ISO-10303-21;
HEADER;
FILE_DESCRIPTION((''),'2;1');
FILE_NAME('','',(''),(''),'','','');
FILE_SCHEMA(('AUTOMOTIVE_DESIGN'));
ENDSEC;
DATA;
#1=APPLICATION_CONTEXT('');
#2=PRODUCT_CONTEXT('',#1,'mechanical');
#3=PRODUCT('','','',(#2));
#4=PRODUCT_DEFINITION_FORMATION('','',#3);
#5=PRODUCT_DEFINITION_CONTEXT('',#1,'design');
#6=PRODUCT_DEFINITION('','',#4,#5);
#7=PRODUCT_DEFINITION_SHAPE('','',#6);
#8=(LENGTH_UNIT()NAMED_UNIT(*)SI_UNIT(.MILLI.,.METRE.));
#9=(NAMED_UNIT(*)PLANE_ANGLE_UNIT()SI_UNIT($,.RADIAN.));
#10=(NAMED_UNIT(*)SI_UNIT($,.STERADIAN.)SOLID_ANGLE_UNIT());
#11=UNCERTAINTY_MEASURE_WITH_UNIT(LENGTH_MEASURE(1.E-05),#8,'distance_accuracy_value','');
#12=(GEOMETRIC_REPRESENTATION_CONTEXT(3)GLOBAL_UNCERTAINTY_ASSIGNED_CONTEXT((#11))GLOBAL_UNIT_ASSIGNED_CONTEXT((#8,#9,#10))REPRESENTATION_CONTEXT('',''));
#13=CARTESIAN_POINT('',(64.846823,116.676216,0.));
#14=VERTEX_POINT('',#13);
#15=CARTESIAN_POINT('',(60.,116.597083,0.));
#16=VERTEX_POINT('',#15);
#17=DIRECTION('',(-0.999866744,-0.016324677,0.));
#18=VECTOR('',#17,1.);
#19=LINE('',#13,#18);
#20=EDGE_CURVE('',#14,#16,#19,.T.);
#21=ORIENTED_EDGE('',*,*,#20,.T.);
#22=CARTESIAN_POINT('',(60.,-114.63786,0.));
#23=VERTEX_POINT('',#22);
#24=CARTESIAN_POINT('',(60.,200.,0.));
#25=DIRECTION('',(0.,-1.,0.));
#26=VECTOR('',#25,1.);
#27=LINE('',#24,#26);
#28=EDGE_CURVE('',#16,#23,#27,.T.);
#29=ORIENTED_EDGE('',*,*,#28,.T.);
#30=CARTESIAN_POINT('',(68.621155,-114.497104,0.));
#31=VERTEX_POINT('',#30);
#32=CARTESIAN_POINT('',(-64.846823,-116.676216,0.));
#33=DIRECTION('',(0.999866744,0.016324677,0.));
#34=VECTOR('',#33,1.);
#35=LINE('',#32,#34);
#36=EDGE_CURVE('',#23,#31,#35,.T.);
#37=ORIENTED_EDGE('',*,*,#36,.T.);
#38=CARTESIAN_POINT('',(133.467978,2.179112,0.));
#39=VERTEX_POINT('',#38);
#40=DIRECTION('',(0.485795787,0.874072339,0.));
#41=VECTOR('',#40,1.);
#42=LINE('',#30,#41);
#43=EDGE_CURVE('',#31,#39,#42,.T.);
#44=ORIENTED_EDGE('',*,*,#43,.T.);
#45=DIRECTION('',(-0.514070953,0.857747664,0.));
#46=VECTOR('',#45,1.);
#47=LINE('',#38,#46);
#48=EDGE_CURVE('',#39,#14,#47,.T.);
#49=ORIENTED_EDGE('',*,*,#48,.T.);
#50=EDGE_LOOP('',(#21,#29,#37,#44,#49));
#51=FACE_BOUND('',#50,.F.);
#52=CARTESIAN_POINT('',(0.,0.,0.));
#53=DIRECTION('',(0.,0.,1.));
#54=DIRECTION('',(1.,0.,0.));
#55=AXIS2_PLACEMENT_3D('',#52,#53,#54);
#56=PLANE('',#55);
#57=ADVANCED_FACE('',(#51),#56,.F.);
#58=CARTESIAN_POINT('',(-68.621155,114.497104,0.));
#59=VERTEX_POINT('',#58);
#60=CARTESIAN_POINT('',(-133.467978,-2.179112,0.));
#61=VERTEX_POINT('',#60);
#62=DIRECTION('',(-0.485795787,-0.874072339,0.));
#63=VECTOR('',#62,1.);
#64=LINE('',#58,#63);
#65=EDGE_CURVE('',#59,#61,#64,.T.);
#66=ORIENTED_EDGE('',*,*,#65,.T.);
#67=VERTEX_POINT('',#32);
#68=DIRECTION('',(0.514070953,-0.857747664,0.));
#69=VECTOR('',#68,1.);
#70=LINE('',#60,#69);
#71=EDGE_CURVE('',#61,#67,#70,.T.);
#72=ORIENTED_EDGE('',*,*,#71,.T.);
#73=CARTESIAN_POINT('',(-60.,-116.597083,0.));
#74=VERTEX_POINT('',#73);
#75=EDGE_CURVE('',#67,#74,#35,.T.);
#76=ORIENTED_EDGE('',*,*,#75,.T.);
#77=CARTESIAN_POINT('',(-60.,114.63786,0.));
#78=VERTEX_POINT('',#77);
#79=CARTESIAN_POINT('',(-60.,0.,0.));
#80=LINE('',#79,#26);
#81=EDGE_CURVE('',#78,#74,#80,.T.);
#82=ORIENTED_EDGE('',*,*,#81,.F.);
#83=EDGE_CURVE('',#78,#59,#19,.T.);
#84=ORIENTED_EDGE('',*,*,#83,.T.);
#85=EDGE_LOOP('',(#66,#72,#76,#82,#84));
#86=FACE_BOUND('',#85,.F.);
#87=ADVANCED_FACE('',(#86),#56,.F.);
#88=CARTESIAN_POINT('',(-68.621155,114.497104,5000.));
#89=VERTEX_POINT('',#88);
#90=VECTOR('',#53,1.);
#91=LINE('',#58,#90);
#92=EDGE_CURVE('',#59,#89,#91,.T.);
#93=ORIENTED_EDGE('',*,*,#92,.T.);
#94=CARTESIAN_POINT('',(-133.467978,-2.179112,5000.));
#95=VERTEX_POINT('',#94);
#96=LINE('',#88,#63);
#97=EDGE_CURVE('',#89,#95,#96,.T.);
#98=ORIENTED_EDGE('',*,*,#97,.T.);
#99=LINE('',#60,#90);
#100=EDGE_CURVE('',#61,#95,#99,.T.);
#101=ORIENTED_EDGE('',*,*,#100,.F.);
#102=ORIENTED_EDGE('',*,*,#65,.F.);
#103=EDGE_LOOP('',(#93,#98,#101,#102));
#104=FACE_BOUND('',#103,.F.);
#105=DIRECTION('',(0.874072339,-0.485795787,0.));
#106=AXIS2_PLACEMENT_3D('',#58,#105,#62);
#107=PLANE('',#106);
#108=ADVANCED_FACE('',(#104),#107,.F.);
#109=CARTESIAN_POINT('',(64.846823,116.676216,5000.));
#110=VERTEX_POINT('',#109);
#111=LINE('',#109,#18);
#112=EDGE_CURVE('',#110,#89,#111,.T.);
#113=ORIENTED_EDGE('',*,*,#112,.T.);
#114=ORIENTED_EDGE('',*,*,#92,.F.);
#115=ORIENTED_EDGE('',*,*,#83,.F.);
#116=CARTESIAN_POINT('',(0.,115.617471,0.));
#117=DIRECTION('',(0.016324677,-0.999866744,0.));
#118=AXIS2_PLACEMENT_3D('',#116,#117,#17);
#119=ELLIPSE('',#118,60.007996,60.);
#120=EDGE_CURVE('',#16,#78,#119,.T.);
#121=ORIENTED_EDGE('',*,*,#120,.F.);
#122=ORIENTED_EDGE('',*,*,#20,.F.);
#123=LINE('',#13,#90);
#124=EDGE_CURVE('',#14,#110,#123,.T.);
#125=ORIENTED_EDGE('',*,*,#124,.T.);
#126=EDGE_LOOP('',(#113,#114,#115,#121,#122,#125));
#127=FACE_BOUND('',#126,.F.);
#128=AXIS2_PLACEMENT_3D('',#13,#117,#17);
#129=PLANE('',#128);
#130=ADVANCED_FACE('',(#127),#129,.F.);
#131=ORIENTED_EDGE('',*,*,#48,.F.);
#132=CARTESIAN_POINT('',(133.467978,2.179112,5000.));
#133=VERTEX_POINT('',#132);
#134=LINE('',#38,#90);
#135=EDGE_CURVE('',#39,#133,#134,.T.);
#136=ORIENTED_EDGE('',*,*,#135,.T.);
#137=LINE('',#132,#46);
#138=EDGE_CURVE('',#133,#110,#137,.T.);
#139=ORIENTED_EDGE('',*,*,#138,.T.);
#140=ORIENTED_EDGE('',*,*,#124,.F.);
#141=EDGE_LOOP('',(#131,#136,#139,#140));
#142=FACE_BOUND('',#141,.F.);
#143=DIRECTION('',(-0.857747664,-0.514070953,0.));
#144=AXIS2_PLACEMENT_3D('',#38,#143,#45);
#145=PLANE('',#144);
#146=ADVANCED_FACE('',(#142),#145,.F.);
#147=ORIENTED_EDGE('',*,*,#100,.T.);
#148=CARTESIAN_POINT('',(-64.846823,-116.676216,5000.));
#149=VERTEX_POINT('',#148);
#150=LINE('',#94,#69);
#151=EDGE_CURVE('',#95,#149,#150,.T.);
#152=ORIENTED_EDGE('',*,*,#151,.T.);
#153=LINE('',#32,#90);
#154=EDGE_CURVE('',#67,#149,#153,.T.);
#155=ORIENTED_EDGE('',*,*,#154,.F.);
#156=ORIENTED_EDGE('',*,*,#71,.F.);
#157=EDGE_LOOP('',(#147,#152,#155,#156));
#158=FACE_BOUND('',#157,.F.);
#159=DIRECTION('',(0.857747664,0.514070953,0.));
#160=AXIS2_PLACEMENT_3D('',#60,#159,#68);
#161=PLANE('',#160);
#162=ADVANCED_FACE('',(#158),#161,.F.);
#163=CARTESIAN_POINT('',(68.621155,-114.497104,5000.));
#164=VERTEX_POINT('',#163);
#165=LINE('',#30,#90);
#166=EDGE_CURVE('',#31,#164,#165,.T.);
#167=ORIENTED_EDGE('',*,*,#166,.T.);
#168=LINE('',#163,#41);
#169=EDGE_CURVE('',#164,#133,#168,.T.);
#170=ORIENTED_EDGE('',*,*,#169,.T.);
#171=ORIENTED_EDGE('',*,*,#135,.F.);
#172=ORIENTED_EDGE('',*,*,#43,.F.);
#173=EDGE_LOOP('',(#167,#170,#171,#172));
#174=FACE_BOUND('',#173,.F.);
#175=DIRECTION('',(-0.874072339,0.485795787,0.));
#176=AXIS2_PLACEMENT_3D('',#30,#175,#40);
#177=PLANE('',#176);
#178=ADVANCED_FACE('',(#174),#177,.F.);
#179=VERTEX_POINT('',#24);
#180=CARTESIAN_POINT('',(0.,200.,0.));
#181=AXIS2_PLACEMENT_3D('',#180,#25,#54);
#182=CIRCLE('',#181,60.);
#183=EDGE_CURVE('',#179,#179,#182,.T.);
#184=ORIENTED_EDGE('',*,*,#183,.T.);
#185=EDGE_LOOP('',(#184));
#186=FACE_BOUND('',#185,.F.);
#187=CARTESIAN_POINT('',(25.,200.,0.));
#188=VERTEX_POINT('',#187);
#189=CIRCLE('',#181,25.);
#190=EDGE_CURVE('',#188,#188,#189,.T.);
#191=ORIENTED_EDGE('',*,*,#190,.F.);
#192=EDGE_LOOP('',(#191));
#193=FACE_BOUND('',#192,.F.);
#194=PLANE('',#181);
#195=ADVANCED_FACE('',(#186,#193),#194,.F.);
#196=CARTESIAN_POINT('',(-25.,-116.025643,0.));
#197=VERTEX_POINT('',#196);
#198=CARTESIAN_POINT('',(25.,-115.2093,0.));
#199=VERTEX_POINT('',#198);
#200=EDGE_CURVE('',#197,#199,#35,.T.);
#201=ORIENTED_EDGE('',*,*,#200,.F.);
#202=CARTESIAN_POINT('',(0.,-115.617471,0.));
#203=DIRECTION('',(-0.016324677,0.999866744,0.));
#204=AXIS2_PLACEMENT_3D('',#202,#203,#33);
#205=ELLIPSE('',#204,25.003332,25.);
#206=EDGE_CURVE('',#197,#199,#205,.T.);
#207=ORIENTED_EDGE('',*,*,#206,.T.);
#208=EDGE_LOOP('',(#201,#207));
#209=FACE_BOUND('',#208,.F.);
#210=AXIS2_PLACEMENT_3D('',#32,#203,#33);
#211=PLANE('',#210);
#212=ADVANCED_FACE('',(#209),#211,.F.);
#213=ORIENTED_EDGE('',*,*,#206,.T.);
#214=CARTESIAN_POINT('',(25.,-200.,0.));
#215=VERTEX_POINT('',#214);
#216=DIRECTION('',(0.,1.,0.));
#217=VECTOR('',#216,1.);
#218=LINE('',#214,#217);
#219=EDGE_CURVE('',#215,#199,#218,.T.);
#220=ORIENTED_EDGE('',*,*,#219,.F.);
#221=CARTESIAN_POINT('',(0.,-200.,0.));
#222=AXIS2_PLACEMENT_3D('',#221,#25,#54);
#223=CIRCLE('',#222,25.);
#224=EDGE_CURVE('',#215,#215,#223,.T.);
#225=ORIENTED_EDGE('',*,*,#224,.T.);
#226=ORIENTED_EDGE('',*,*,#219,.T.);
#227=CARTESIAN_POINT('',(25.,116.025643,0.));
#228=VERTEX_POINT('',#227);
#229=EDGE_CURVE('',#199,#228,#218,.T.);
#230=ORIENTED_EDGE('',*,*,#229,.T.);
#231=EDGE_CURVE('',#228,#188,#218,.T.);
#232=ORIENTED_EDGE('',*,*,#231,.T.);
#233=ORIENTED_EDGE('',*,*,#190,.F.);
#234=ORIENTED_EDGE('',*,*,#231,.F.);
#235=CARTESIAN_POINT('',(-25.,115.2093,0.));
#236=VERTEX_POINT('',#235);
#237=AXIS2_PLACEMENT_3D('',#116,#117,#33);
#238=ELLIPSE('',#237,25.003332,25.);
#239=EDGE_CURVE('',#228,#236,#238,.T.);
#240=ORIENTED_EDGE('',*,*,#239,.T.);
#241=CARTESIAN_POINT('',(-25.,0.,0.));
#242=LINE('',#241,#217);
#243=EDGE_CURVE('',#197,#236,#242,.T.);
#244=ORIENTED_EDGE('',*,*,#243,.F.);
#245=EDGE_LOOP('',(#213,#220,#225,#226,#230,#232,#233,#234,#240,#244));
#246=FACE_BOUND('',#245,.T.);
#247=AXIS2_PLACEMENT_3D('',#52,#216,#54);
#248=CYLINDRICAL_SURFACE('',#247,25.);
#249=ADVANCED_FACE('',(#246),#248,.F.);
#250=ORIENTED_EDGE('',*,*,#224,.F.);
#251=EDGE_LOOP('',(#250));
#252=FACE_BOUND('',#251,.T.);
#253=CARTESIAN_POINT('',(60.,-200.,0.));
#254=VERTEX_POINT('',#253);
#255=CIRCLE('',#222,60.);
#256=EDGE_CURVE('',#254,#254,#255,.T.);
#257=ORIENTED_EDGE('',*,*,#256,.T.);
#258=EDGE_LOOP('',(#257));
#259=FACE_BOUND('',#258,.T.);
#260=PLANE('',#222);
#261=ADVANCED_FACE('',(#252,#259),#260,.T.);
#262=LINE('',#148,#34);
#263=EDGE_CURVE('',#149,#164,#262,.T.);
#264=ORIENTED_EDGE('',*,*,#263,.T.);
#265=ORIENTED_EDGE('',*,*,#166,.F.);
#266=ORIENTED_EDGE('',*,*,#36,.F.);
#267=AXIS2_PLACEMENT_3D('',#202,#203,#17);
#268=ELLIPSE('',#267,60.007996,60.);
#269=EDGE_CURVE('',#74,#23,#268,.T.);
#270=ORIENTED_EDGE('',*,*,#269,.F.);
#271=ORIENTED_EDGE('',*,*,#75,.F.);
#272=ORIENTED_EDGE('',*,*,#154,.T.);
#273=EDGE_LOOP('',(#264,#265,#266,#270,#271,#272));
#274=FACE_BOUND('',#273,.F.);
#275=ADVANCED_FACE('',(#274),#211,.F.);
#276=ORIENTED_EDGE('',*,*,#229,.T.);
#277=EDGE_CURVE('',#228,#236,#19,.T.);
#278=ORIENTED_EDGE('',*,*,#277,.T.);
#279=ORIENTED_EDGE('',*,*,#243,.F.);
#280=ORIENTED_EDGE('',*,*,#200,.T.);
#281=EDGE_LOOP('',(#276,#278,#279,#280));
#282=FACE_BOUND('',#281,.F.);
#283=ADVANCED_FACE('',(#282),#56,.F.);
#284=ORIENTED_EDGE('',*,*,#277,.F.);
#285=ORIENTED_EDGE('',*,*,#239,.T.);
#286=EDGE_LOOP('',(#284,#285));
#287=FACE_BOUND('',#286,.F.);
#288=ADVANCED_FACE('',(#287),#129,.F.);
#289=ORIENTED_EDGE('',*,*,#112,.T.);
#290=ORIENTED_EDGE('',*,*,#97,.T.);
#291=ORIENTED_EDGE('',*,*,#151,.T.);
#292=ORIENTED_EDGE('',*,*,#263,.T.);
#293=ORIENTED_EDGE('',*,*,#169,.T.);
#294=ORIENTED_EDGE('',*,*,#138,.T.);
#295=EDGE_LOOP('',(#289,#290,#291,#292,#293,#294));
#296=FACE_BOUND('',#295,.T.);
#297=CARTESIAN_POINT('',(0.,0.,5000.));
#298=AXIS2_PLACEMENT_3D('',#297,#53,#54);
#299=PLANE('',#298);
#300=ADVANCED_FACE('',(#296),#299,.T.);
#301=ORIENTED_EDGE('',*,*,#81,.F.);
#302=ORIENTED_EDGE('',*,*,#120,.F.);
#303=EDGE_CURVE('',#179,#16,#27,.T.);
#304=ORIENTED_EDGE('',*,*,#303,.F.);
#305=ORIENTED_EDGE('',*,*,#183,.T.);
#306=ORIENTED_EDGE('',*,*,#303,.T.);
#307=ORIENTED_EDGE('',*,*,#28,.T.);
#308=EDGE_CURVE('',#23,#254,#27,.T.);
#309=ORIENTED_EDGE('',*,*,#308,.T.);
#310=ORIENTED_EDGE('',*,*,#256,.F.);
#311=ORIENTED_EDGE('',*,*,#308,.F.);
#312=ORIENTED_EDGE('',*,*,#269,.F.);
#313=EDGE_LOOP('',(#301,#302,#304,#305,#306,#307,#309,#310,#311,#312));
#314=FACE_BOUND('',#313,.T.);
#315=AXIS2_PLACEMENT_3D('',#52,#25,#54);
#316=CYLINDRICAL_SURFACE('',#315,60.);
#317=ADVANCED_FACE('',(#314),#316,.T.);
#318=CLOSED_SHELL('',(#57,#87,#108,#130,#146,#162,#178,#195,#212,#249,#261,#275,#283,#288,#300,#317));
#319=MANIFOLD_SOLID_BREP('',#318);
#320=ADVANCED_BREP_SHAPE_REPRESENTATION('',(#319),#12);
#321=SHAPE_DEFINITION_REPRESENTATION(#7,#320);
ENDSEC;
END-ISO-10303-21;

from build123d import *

# Parameters (mm, degrees)
F0_R     = 60
F0_R_2   = 25
F1_DEPTH = 200
F3_DEPTH = 5000


with BuildPart() as f1:
    # F0 (on Front) → F1 (new body, symmetric)
    with BuildSketch(Plane.XZ):
        Circle(F0_R)
        Circle(F0_R_2, mode=Mode.SUBTRACT)
    extrude(amount=F1_DEPTH, both=True)

    # F2 (on Top) → F3 (join)
    with BuildSketch(Plane.XY):
        Polygon((133.467978, 2.179112), (64.846823, 116.676216), (-68.621155, 114.497104), (-133.467978, -2.179112), (-64.846823, -116.676216), (68.621155, -114.497104), align=None)
    extrude(amount=F3_DEPTH)


solid = f1.part
